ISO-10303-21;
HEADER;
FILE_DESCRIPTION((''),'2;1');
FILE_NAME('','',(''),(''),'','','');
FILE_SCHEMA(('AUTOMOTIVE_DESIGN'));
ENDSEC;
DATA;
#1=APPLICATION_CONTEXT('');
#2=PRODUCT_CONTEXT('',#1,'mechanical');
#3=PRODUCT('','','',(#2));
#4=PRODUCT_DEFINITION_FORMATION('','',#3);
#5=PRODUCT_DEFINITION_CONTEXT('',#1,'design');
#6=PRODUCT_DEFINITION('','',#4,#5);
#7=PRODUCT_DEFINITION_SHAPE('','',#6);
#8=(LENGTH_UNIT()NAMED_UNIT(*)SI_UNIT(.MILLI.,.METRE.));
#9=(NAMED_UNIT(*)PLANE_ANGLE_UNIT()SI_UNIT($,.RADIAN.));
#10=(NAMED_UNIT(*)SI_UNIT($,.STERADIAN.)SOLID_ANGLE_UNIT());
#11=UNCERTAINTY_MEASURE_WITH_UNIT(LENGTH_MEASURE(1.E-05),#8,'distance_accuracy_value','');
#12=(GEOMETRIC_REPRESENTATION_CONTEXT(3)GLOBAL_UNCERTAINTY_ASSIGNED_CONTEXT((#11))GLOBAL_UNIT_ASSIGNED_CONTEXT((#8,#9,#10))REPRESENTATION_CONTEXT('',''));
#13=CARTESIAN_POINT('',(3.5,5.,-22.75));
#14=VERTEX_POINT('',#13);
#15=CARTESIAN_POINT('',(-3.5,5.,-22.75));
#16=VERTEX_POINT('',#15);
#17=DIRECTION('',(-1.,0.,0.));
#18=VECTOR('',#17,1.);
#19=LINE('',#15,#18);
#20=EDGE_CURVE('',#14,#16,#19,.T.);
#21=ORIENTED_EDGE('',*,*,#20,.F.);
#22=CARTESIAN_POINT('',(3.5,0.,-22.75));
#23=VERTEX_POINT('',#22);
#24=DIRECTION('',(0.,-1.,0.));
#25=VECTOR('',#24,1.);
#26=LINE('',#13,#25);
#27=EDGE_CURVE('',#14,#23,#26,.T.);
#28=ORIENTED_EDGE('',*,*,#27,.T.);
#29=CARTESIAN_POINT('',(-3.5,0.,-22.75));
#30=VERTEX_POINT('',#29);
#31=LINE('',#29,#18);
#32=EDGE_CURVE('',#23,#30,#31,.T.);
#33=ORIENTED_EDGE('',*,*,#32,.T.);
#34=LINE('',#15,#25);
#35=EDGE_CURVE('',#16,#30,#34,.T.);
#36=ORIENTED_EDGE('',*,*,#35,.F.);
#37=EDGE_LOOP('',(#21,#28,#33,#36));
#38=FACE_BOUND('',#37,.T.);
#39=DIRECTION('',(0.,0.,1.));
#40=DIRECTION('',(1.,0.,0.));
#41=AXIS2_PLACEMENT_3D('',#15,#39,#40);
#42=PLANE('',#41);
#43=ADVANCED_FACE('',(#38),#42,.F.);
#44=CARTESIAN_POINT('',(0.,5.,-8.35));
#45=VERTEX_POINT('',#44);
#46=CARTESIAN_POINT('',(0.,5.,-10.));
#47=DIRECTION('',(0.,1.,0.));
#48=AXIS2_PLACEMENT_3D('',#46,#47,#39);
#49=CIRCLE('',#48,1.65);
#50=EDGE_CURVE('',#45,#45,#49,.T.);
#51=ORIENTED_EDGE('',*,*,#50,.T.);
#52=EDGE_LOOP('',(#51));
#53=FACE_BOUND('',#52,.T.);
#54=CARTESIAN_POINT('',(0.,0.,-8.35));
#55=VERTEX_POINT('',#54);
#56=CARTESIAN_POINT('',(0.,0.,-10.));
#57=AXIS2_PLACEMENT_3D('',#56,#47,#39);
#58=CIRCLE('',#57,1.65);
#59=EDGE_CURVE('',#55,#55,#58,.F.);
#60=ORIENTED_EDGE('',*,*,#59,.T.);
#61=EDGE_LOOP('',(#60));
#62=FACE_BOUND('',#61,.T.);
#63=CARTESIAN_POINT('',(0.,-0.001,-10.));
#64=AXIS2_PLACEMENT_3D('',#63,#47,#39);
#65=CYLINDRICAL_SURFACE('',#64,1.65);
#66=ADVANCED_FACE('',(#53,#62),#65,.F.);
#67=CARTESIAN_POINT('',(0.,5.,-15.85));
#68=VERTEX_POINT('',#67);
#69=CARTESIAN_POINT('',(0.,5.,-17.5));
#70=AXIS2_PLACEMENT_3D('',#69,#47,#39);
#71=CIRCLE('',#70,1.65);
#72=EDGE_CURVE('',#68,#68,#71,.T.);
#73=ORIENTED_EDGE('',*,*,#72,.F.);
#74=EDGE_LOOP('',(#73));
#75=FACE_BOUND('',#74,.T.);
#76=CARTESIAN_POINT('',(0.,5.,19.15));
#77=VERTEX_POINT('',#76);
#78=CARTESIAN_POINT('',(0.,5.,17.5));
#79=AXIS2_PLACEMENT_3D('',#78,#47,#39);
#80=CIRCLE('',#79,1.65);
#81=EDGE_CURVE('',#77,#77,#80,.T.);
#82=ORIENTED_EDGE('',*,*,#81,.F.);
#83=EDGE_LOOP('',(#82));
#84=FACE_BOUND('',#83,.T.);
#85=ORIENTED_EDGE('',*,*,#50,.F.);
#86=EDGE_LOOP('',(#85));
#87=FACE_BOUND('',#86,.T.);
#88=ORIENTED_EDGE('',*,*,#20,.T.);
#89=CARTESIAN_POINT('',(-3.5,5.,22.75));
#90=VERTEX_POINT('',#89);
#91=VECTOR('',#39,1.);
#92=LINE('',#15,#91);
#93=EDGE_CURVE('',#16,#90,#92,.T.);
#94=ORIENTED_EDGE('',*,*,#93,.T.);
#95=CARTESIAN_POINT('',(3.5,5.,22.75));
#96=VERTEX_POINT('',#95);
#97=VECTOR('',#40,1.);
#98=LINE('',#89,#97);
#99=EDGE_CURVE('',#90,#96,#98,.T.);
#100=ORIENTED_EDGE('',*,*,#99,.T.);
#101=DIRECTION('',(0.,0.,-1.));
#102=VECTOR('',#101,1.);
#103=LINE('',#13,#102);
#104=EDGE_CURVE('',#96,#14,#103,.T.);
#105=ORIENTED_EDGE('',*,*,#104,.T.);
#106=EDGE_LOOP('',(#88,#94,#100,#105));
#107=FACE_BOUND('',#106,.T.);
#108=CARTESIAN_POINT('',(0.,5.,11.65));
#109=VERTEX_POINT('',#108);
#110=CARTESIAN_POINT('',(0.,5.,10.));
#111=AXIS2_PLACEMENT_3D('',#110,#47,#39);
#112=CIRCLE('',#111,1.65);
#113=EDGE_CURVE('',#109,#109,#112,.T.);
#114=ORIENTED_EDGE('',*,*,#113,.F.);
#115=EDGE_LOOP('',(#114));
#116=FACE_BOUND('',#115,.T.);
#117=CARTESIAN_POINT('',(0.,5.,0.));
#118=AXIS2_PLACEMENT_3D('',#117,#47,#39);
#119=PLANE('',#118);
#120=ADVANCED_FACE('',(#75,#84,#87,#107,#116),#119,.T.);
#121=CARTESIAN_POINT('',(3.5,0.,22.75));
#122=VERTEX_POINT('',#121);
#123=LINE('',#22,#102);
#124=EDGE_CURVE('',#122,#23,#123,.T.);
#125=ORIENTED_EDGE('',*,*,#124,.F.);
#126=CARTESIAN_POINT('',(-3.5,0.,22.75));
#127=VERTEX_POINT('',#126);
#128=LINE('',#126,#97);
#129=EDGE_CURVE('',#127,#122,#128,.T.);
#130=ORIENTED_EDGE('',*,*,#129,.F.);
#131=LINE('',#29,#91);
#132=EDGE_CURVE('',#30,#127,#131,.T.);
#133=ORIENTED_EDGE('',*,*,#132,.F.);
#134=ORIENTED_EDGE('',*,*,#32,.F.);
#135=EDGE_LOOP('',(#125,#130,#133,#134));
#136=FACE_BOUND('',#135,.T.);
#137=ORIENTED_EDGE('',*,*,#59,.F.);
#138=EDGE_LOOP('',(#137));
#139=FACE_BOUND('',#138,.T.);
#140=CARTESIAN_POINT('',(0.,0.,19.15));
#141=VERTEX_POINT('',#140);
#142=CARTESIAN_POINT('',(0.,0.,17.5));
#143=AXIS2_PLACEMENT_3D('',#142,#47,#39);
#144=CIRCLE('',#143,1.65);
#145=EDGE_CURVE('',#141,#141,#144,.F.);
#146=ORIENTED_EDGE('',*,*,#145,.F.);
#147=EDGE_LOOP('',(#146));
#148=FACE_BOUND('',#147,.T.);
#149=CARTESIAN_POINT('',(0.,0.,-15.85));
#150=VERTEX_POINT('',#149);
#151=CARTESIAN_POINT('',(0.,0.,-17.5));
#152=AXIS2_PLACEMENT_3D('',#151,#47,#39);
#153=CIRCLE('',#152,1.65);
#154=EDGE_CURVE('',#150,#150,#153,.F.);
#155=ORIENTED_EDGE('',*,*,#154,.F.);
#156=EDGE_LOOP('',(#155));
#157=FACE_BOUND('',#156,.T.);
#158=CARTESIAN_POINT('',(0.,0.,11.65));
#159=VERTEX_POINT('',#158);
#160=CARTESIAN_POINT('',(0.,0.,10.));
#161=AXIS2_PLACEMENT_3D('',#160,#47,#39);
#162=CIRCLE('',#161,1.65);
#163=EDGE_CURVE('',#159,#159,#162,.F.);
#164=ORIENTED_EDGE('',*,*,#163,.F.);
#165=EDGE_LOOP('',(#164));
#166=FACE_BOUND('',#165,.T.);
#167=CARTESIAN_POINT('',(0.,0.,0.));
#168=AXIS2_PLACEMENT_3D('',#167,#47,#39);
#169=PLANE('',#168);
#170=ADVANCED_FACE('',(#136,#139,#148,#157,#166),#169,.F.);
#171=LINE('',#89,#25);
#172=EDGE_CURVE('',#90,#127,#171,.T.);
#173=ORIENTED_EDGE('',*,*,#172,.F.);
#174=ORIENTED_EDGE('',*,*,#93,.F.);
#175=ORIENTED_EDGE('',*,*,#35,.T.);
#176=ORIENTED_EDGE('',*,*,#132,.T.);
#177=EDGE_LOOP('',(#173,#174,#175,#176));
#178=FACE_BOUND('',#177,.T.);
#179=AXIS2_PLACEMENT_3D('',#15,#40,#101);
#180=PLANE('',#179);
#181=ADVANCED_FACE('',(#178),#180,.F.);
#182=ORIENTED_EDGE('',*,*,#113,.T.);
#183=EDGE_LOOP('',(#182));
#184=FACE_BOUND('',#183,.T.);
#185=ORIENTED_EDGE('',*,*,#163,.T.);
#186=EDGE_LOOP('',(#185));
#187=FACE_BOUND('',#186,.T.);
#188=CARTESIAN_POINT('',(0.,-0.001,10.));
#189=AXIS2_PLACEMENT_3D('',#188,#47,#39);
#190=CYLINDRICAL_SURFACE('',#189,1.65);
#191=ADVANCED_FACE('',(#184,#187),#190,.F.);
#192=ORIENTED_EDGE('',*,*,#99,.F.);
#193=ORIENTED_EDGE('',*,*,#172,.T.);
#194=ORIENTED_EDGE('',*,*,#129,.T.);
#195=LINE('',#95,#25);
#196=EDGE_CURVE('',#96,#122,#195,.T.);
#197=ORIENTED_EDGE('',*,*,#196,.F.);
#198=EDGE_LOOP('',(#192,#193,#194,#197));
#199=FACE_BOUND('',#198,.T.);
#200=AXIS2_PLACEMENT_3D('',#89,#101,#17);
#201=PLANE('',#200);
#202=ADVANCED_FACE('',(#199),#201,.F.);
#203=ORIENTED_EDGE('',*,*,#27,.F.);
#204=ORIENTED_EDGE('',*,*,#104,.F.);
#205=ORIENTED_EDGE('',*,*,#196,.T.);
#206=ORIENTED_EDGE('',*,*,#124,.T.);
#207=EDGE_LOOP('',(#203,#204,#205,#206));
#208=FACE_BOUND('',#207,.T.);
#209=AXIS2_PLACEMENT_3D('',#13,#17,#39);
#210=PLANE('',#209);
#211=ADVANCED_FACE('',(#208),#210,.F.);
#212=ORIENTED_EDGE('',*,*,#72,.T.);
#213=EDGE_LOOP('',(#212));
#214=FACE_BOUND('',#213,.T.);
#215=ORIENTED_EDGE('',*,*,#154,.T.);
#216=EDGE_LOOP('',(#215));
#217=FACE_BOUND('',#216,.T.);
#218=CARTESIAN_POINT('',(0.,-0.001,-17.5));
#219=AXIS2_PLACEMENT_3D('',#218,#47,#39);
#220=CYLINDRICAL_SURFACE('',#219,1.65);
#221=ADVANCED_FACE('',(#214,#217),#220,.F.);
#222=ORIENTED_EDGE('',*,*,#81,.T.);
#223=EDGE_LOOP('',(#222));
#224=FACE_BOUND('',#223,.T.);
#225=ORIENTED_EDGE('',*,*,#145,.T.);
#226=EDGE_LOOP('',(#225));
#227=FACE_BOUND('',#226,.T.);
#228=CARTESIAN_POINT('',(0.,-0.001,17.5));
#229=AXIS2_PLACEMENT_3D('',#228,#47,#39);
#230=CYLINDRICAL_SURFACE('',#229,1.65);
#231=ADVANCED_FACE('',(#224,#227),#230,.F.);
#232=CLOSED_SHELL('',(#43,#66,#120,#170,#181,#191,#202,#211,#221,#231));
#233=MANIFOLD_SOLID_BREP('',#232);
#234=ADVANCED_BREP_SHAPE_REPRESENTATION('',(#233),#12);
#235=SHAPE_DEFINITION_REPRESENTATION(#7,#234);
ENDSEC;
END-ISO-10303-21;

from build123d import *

# Parameters (mm, degrees)
SKETCH_1_W          = 7
SKETCH_1_H          = 45.5
EXTRUDE_1_DEPTH     = 5
CUT_EXTRUDE_1_REACH = 25.554
SKETCH_2_R          = 1.65
CUT_EXTRUDE_2_REACH = 25.554
SKETCH_3_R          = 1.65


with BuildPart() as part:
    # 草图1 → 凸台-拉伸1 (new body)
    with BuildSketch(Plane(origin=(0, 0, 0), x_dir=(1, 0, 0), z_dir=(0, 1, 0))):
        Rectangle(SKETCH_1_W, SKETCH_1_H)
    extrude(amount=EXTRUDE_1_DEPTH)

    # 草图2 → 切除-拉伸1 (cut, up to next)
    with BuildSketch(Plane(origin=(0, 5, 0), x_dir=(1, 0, 0), z_dir=(0, 1, 0)), mode=Mode.PRIVATE) as cut_extrude_1_sk1:
        with Locations(Location((0, 17.5, 0), (0, 0, 270))):
            Circle(SKETCH_2_R)
    cut_extrude_1_tool1 = extrude(cut_extrude_1_sk1.sketch, amount=-CUT_EXTRUDE_1_REACH, mode=Mode.PRIVATE) & part.part
    # 草图2 → 切除-拉伸1 (cut, up to next)
    with BuildSketch(Plane(origin=(0, 5, 0), x_dir=(1, 0, 0), z_dir=(0, 1, 0)), mode=Mode.PRIVATE) as cut_extrude_1_sk2:
        with Locations(Location((0, -17.5, 0), (0, 0, 270))):
            Circle(SKETCH_2_R)
    cut_extrude_1_tool2 = extrude(cut_extrude_1_sk2.sketch, amount=-CUT_EXTRUDE_1_REACH, mode=Mode.PRIVATE) & part.part
    add(cut_extrude_1_tool1.solids().sort_by_distance((0, 5, -17.5))[0], mode=Mode.SUBTRACT)
    add(cut_extrude_1_tool2.solids().sort_by_distance((0, 5, 17.5))[0], mode=Mode.SUBTRACT)

    # 草图3 → 切除-拉伸2 (cut, up to next)
    with BuildSketch(Plane(origin=(0, 5, 0), x_dir=(1, 0, 0), z_dir=(0, 1, 0)), mode=Mode.PRIVATE) as cut_extrude_2_sk1:
        with Locations(Location((0, 10, 0), (0, 0, 270))):
            Circle(SKETCH_3_R)
    cut_extrude_2_tool1 = extrude(cut_extrude_2_sk1.sketch, amount=-CUT_EXTRUDE_2_REACH, mode=Mode.PRIVATE) & part.part
    # 草图3 → 切除-拉伸2 (cut, up to next)
    with BuildSketch(Plane(origin=(0, 5, 0), x_dir=(1, 0, 0), z_dir=(0, 1, 0)), mode=Mode.PRIVATE) as cut_extrude_2_sk2:
        with Locations(Location((0, -10, 0), (0, 0, 270))):
            Circle(SKETCH_3_R)
    cut_extrude_2_tool2 = extrude(cut_extrude_2_sk2.sketch, amount=-CUT_EXTRUDE_2_REACH, mode=Mode.PRIVATE) & part.part
    add(cut_extrude_2_tool1.solids().sort_by_distance((0, 5, -10))[0], mode=Mode.SUBTRACT)
    add(cut_extrude_2_tool2.solids().sort_by_distance((0, 5, 10))[0], mode=Mode.SUBTRACT)


solid = part.part
